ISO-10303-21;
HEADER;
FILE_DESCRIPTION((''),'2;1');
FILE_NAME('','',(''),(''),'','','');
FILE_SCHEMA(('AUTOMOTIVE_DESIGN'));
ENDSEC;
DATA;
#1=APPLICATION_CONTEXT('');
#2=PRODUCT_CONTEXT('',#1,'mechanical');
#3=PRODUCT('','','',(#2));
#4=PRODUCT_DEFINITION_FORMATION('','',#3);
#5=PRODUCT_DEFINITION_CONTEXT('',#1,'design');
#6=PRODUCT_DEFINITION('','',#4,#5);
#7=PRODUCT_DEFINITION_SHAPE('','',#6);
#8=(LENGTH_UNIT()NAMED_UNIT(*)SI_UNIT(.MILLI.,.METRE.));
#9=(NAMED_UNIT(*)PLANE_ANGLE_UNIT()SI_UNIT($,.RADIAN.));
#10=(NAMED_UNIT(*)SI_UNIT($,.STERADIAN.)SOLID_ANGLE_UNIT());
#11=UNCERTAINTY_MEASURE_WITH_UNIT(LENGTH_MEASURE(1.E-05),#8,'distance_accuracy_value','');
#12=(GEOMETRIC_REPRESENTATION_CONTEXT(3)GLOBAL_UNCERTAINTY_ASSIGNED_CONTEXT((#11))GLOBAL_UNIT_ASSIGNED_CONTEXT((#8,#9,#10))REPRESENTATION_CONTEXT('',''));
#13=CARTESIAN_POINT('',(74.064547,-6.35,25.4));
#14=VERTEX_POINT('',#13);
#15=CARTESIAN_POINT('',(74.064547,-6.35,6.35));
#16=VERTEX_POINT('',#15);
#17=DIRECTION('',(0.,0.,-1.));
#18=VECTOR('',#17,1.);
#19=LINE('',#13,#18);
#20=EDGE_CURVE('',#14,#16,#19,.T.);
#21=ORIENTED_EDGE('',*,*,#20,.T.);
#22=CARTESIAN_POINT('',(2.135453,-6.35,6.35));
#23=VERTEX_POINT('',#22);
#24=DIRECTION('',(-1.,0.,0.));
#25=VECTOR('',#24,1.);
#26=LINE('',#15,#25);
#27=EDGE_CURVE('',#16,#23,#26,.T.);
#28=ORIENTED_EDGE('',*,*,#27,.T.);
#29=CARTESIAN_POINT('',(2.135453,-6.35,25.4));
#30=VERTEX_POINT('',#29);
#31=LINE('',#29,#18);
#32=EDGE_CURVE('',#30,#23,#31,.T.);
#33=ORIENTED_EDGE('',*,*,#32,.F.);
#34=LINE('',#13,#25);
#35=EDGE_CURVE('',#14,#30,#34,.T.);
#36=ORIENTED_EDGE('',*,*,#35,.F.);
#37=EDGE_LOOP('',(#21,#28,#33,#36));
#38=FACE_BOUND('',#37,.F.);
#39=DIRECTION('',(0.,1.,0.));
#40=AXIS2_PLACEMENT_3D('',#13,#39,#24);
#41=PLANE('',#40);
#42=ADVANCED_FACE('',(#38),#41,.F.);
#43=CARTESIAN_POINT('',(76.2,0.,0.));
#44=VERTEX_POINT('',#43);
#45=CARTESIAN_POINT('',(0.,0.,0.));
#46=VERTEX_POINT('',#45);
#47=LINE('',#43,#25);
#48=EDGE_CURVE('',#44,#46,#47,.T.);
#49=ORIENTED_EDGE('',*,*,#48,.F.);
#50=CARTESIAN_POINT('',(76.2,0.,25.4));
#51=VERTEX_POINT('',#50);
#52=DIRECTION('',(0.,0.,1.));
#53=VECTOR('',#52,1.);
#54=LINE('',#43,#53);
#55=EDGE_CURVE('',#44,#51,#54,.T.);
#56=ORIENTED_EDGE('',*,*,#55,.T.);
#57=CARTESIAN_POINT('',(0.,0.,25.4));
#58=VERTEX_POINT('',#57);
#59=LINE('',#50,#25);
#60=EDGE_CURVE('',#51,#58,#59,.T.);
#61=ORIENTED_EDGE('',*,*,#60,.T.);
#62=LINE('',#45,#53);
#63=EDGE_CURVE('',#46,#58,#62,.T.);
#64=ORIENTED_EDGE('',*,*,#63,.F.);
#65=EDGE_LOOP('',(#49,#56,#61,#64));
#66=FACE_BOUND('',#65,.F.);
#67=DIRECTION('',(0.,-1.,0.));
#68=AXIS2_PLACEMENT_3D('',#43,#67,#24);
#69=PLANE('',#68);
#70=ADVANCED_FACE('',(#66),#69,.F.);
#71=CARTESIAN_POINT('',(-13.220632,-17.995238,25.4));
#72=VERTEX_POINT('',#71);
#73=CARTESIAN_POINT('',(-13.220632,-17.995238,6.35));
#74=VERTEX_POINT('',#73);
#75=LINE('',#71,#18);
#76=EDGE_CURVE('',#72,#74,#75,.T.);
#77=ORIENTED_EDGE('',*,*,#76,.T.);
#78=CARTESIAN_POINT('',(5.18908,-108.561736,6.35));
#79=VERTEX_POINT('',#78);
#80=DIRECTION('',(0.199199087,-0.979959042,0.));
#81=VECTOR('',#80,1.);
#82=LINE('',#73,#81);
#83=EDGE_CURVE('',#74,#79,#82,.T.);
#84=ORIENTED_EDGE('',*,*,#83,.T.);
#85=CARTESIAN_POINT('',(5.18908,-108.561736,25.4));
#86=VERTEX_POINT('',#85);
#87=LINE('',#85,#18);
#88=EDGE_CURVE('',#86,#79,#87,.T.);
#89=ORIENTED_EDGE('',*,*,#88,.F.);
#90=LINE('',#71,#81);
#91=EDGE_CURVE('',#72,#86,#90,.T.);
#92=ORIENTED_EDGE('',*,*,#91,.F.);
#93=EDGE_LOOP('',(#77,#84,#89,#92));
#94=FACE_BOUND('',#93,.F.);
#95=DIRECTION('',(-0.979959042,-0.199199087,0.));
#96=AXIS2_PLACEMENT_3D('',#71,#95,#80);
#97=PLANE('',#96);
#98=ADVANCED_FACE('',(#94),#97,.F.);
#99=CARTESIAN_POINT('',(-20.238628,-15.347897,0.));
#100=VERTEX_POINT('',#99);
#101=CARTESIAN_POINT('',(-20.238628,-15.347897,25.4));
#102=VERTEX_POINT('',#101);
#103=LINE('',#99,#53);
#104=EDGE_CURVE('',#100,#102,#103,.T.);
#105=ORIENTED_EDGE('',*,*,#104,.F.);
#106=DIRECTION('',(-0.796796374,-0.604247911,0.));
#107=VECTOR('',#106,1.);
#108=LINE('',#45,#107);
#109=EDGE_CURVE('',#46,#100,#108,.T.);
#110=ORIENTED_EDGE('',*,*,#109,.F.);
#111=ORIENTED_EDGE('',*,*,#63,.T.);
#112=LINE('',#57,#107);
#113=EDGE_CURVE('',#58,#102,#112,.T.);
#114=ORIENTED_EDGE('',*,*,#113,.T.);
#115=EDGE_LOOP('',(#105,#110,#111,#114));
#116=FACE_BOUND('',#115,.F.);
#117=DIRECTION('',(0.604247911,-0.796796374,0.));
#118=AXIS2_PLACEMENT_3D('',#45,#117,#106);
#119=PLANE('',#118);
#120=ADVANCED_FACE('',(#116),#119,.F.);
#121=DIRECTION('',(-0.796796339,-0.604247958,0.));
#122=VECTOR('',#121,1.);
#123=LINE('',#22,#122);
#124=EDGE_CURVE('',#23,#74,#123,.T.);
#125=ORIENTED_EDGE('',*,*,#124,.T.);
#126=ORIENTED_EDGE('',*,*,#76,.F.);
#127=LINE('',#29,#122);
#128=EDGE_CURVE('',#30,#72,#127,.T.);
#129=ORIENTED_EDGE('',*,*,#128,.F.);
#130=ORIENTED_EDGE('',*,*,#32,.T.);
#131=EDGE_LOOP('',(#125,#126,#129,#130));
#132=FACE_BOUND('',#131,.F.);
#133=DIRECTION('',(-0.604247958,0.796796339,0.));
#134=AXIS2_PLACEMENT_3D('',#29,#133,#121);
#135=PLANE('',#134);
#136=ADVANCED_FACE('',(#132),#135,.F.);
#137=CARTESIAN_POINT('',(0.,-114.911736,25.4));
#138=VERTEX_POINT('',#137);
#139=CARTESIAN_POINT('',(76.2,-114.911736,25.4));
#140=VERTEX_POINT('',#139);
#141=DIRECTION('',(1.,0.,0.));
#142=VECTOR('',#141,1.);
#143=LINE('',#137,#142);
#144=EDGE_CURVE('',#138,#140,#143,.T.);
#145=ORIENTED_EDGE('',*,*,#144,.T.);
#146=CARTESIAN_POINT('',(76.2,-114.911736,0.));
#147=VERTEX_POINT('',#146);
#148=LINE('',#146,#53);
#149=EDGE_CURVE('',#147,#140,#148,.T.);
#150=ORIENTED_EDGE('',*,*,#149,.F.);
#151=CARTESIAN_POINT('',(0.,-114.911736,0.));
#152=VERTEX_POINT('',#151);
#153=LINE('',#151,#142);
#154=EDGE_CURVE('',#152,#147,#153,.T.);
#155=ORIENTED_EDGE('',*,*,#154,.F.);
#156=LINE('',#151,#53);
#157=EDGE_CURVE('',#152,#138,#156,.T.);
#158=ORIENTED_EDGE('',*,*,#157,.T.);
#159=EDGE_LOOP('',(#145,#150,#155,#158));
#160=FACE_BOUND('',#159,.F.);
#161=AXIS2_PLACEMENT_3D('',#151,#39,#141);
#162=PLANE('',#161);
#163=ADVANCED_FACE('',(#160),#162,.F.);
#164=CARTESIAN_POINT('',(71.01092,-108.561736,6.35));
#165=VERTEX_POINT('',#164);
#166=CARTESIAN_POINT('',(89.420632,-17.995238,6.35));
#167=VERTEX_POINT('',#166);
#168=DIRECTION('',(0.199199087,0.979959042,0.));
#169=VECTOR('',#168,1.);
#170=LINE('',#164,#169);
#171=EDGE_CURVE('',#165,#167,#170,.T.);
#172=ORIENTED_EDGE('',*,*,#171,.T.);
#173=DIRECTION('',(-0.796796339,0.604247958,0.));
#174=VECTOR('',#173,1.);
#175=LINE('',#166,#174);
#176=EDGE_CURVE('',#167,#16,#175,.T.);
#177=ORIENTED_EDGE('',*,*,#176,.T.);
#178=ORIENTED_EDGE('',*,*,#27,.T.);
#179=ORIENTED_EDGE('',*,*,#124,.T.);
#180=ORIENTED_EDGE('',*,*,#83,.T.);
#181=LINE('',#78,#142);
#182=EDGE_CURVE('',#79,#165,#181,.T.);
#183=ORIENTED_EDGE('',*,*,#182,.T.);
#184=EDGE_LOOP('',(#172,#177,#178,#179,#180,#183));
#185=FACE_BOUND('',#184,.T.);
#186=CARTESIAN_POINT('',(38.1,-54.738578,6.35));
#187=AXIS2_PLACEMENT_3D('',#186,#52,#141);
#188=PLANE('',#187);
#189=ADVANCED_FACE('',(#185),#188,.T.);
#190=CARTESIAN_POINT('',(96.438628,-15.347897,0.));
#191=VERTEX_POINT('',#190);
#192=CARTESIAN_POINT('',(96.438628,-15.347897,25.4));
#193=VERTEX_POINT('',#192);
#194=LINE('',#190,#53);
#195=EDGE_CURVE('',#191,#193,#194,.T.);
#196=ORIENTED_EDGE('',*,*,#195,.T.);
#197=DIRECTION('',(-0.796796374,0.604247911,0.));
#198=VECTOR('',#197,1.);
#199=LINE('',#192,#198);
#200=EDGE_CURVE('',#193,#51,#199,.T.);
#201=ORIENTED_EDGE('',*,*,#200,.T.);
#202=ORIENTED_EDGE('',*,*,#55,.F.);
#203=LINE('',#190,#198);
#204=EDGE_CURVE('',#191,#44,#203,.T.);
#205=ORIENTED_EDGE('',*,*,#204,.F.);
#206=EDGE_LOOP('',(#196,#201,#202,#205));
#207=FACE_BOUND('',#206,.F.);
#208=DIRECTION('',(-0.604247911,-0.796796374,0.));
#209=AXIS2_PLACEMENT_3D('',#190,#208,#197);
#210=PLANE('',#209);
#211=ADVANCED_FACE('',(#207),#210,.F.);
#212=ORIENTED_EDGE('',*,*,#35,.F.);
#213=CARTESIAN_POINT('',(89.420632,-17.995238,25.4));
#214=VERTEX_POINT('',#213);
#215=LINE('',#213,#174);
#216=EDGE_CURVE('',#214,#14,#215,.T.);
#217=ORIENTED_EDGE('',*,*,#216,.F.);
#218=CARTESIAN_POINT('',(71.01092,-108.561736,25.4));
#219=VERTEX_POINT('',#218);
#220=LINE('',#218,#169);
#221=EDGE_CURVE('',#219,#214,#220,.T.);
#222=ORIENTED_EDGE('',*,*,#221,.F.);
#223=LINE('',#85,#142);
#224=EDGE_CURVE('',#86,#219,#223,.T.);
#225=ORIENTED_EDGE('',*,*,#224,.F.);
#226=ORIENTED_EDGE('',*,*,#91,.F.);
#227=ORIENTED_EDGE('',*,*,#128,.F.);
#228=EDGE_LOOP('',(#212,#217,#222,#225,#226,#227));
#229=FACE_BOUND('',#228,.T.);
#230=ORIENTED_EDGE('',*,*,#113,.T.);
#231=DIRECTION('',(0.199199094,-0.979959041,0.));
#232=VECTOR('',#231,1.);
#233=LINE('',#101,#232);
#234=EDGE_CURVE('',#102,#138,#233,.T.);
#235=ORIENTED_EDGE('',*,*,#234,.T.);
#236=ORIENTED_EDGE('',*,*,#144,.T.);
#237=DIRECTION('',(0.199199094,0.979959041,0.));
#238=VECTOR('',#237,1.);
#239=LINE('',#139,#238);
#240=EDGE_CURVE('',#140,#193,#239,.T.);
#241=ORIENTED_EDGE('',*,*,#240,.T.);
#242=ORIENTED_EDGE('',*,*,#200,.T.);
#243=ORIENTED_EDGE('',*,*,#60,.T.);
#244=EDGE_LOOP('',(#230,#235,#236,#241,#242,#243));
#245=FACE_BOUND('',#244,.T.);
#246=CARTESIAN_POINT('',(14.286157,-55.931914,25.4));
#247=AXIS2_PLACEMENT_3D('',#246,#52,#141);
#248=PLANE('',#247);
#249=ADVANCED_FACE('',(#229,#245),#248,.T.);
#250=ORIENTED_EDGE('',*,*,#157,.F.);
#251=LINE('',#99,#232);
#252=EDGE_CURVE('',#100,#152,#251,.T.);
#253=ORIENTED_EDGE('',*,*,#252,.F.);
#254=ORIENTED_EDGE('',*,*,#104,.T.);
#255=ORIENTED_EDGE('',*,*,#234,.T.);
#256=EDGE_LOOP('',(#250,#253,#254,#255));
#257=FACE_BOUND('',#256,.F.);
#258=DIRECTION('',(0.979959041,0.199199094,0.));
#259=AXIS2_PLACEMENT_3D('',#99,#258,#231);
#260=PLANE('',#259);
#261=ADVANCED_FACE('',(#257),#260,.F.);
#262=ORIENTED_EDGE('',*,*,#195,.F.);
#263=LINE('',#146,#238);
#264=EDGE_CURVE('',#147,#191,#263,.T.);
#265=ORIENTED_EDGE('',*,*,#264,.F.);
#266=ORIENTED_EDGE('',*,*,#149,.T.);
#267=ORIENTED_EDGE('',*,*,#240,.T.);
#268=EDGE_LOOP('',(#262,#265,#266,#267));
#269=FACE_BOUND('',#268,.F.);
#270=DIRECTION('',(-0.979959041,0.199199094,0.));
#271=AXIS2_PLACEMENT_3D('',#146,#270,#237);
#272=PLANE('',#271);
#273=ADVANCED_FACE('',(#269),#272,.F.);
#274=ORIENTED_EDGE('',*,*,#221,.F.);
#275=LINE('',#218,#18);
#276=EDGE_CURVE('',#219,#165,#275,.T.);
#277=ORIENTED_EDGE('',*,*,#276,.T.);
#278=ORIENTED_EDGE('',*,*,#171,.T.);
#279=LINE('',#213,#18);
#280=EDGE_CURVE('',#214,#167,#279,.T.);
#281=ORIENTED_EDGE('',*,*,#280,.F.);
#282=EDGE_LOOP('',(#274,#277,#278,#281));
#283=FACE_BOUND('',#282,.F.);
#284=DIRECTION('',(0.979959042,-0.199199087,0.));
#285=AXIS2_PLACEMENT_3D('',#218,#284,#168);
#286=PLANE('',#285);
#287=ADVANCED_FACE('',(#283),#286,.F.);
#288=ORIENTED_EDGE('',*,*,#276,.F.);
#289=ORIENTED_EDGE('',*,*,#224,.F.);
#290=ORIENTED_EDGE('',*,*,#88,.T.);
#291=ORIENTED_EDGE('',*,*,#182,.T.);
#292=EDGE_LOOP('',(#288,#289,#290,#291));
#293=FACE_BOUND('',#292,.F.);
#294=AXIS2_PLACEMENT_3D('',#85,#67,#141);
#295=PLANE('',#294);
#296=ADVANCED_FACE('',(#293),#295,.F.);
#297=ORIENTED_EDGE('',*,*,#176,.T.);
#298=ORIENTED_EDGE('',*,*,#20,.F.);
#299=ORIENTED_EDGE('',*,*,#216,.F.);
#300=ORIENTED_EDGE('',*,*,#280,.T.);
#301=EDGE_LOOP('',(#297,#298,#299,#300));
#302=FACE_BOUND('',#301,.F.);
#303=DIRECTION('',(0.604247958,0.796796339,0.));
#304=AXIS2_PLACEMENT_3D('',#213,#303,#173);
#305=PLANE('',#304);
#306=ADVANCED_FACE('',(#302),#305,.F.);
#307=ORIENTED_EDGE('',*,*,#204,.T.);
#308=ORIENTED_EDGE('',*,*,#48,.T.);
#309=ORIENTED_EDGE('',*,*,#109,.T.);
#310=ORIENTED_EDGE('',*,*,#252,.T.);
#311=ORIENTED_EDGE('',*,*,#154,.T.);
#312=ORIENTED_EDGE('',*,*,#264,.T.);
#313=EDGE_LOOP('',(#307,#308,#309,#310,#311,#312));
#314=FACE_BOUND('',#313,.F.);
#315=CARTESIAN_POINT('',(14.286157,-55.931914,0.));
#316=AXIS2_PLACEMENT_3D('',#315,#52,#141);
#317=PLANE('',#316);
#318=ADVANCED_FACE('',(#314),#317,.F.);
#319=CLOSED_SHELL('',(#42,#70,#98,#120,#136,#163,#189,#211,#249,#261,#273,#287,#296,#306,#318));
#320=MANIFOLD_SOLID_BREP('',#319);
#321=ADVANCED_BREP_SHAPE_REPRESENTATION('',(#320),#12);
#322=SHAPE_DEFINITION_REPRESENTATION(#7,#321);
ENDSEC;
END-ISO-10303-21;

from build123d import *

# Parameters (mm, degrees)
F1_DEPTH = 25.4
F3_DEPTH = 19.05


with BuildPart() as f1:
    # F0 (on Top) → F1 (new body)
    with BuildSketch(Plane.XY):
        Polygon((38.1, 0), (0, 0), (-20.238628, -15.347897), (0, -114.911736), (38.1, -114.911736), align=None)
        Polygon((76.2, 0), (38.1, 0), (38.1, -114.911736), (76.2, -114.911736), (96.438628, -15.347897), align=None)
    extrude(amount=F1_DEPTH)

    # F2 (on face) → F3 (cut)
    with BuildSketch(Plane.XY.offset(25.4)):
        Polygon((2.135453, -6.35), (-13.220632, -17.995238), (5.18908, -108.561736), (71.01092, -108.561736), (89.420632, -17.995238), (74.064547, -6.35), align=None)
    extrude(amount=-F3_DEPTH, mode=Mode.SUBTRACT)


solid = f1.part
